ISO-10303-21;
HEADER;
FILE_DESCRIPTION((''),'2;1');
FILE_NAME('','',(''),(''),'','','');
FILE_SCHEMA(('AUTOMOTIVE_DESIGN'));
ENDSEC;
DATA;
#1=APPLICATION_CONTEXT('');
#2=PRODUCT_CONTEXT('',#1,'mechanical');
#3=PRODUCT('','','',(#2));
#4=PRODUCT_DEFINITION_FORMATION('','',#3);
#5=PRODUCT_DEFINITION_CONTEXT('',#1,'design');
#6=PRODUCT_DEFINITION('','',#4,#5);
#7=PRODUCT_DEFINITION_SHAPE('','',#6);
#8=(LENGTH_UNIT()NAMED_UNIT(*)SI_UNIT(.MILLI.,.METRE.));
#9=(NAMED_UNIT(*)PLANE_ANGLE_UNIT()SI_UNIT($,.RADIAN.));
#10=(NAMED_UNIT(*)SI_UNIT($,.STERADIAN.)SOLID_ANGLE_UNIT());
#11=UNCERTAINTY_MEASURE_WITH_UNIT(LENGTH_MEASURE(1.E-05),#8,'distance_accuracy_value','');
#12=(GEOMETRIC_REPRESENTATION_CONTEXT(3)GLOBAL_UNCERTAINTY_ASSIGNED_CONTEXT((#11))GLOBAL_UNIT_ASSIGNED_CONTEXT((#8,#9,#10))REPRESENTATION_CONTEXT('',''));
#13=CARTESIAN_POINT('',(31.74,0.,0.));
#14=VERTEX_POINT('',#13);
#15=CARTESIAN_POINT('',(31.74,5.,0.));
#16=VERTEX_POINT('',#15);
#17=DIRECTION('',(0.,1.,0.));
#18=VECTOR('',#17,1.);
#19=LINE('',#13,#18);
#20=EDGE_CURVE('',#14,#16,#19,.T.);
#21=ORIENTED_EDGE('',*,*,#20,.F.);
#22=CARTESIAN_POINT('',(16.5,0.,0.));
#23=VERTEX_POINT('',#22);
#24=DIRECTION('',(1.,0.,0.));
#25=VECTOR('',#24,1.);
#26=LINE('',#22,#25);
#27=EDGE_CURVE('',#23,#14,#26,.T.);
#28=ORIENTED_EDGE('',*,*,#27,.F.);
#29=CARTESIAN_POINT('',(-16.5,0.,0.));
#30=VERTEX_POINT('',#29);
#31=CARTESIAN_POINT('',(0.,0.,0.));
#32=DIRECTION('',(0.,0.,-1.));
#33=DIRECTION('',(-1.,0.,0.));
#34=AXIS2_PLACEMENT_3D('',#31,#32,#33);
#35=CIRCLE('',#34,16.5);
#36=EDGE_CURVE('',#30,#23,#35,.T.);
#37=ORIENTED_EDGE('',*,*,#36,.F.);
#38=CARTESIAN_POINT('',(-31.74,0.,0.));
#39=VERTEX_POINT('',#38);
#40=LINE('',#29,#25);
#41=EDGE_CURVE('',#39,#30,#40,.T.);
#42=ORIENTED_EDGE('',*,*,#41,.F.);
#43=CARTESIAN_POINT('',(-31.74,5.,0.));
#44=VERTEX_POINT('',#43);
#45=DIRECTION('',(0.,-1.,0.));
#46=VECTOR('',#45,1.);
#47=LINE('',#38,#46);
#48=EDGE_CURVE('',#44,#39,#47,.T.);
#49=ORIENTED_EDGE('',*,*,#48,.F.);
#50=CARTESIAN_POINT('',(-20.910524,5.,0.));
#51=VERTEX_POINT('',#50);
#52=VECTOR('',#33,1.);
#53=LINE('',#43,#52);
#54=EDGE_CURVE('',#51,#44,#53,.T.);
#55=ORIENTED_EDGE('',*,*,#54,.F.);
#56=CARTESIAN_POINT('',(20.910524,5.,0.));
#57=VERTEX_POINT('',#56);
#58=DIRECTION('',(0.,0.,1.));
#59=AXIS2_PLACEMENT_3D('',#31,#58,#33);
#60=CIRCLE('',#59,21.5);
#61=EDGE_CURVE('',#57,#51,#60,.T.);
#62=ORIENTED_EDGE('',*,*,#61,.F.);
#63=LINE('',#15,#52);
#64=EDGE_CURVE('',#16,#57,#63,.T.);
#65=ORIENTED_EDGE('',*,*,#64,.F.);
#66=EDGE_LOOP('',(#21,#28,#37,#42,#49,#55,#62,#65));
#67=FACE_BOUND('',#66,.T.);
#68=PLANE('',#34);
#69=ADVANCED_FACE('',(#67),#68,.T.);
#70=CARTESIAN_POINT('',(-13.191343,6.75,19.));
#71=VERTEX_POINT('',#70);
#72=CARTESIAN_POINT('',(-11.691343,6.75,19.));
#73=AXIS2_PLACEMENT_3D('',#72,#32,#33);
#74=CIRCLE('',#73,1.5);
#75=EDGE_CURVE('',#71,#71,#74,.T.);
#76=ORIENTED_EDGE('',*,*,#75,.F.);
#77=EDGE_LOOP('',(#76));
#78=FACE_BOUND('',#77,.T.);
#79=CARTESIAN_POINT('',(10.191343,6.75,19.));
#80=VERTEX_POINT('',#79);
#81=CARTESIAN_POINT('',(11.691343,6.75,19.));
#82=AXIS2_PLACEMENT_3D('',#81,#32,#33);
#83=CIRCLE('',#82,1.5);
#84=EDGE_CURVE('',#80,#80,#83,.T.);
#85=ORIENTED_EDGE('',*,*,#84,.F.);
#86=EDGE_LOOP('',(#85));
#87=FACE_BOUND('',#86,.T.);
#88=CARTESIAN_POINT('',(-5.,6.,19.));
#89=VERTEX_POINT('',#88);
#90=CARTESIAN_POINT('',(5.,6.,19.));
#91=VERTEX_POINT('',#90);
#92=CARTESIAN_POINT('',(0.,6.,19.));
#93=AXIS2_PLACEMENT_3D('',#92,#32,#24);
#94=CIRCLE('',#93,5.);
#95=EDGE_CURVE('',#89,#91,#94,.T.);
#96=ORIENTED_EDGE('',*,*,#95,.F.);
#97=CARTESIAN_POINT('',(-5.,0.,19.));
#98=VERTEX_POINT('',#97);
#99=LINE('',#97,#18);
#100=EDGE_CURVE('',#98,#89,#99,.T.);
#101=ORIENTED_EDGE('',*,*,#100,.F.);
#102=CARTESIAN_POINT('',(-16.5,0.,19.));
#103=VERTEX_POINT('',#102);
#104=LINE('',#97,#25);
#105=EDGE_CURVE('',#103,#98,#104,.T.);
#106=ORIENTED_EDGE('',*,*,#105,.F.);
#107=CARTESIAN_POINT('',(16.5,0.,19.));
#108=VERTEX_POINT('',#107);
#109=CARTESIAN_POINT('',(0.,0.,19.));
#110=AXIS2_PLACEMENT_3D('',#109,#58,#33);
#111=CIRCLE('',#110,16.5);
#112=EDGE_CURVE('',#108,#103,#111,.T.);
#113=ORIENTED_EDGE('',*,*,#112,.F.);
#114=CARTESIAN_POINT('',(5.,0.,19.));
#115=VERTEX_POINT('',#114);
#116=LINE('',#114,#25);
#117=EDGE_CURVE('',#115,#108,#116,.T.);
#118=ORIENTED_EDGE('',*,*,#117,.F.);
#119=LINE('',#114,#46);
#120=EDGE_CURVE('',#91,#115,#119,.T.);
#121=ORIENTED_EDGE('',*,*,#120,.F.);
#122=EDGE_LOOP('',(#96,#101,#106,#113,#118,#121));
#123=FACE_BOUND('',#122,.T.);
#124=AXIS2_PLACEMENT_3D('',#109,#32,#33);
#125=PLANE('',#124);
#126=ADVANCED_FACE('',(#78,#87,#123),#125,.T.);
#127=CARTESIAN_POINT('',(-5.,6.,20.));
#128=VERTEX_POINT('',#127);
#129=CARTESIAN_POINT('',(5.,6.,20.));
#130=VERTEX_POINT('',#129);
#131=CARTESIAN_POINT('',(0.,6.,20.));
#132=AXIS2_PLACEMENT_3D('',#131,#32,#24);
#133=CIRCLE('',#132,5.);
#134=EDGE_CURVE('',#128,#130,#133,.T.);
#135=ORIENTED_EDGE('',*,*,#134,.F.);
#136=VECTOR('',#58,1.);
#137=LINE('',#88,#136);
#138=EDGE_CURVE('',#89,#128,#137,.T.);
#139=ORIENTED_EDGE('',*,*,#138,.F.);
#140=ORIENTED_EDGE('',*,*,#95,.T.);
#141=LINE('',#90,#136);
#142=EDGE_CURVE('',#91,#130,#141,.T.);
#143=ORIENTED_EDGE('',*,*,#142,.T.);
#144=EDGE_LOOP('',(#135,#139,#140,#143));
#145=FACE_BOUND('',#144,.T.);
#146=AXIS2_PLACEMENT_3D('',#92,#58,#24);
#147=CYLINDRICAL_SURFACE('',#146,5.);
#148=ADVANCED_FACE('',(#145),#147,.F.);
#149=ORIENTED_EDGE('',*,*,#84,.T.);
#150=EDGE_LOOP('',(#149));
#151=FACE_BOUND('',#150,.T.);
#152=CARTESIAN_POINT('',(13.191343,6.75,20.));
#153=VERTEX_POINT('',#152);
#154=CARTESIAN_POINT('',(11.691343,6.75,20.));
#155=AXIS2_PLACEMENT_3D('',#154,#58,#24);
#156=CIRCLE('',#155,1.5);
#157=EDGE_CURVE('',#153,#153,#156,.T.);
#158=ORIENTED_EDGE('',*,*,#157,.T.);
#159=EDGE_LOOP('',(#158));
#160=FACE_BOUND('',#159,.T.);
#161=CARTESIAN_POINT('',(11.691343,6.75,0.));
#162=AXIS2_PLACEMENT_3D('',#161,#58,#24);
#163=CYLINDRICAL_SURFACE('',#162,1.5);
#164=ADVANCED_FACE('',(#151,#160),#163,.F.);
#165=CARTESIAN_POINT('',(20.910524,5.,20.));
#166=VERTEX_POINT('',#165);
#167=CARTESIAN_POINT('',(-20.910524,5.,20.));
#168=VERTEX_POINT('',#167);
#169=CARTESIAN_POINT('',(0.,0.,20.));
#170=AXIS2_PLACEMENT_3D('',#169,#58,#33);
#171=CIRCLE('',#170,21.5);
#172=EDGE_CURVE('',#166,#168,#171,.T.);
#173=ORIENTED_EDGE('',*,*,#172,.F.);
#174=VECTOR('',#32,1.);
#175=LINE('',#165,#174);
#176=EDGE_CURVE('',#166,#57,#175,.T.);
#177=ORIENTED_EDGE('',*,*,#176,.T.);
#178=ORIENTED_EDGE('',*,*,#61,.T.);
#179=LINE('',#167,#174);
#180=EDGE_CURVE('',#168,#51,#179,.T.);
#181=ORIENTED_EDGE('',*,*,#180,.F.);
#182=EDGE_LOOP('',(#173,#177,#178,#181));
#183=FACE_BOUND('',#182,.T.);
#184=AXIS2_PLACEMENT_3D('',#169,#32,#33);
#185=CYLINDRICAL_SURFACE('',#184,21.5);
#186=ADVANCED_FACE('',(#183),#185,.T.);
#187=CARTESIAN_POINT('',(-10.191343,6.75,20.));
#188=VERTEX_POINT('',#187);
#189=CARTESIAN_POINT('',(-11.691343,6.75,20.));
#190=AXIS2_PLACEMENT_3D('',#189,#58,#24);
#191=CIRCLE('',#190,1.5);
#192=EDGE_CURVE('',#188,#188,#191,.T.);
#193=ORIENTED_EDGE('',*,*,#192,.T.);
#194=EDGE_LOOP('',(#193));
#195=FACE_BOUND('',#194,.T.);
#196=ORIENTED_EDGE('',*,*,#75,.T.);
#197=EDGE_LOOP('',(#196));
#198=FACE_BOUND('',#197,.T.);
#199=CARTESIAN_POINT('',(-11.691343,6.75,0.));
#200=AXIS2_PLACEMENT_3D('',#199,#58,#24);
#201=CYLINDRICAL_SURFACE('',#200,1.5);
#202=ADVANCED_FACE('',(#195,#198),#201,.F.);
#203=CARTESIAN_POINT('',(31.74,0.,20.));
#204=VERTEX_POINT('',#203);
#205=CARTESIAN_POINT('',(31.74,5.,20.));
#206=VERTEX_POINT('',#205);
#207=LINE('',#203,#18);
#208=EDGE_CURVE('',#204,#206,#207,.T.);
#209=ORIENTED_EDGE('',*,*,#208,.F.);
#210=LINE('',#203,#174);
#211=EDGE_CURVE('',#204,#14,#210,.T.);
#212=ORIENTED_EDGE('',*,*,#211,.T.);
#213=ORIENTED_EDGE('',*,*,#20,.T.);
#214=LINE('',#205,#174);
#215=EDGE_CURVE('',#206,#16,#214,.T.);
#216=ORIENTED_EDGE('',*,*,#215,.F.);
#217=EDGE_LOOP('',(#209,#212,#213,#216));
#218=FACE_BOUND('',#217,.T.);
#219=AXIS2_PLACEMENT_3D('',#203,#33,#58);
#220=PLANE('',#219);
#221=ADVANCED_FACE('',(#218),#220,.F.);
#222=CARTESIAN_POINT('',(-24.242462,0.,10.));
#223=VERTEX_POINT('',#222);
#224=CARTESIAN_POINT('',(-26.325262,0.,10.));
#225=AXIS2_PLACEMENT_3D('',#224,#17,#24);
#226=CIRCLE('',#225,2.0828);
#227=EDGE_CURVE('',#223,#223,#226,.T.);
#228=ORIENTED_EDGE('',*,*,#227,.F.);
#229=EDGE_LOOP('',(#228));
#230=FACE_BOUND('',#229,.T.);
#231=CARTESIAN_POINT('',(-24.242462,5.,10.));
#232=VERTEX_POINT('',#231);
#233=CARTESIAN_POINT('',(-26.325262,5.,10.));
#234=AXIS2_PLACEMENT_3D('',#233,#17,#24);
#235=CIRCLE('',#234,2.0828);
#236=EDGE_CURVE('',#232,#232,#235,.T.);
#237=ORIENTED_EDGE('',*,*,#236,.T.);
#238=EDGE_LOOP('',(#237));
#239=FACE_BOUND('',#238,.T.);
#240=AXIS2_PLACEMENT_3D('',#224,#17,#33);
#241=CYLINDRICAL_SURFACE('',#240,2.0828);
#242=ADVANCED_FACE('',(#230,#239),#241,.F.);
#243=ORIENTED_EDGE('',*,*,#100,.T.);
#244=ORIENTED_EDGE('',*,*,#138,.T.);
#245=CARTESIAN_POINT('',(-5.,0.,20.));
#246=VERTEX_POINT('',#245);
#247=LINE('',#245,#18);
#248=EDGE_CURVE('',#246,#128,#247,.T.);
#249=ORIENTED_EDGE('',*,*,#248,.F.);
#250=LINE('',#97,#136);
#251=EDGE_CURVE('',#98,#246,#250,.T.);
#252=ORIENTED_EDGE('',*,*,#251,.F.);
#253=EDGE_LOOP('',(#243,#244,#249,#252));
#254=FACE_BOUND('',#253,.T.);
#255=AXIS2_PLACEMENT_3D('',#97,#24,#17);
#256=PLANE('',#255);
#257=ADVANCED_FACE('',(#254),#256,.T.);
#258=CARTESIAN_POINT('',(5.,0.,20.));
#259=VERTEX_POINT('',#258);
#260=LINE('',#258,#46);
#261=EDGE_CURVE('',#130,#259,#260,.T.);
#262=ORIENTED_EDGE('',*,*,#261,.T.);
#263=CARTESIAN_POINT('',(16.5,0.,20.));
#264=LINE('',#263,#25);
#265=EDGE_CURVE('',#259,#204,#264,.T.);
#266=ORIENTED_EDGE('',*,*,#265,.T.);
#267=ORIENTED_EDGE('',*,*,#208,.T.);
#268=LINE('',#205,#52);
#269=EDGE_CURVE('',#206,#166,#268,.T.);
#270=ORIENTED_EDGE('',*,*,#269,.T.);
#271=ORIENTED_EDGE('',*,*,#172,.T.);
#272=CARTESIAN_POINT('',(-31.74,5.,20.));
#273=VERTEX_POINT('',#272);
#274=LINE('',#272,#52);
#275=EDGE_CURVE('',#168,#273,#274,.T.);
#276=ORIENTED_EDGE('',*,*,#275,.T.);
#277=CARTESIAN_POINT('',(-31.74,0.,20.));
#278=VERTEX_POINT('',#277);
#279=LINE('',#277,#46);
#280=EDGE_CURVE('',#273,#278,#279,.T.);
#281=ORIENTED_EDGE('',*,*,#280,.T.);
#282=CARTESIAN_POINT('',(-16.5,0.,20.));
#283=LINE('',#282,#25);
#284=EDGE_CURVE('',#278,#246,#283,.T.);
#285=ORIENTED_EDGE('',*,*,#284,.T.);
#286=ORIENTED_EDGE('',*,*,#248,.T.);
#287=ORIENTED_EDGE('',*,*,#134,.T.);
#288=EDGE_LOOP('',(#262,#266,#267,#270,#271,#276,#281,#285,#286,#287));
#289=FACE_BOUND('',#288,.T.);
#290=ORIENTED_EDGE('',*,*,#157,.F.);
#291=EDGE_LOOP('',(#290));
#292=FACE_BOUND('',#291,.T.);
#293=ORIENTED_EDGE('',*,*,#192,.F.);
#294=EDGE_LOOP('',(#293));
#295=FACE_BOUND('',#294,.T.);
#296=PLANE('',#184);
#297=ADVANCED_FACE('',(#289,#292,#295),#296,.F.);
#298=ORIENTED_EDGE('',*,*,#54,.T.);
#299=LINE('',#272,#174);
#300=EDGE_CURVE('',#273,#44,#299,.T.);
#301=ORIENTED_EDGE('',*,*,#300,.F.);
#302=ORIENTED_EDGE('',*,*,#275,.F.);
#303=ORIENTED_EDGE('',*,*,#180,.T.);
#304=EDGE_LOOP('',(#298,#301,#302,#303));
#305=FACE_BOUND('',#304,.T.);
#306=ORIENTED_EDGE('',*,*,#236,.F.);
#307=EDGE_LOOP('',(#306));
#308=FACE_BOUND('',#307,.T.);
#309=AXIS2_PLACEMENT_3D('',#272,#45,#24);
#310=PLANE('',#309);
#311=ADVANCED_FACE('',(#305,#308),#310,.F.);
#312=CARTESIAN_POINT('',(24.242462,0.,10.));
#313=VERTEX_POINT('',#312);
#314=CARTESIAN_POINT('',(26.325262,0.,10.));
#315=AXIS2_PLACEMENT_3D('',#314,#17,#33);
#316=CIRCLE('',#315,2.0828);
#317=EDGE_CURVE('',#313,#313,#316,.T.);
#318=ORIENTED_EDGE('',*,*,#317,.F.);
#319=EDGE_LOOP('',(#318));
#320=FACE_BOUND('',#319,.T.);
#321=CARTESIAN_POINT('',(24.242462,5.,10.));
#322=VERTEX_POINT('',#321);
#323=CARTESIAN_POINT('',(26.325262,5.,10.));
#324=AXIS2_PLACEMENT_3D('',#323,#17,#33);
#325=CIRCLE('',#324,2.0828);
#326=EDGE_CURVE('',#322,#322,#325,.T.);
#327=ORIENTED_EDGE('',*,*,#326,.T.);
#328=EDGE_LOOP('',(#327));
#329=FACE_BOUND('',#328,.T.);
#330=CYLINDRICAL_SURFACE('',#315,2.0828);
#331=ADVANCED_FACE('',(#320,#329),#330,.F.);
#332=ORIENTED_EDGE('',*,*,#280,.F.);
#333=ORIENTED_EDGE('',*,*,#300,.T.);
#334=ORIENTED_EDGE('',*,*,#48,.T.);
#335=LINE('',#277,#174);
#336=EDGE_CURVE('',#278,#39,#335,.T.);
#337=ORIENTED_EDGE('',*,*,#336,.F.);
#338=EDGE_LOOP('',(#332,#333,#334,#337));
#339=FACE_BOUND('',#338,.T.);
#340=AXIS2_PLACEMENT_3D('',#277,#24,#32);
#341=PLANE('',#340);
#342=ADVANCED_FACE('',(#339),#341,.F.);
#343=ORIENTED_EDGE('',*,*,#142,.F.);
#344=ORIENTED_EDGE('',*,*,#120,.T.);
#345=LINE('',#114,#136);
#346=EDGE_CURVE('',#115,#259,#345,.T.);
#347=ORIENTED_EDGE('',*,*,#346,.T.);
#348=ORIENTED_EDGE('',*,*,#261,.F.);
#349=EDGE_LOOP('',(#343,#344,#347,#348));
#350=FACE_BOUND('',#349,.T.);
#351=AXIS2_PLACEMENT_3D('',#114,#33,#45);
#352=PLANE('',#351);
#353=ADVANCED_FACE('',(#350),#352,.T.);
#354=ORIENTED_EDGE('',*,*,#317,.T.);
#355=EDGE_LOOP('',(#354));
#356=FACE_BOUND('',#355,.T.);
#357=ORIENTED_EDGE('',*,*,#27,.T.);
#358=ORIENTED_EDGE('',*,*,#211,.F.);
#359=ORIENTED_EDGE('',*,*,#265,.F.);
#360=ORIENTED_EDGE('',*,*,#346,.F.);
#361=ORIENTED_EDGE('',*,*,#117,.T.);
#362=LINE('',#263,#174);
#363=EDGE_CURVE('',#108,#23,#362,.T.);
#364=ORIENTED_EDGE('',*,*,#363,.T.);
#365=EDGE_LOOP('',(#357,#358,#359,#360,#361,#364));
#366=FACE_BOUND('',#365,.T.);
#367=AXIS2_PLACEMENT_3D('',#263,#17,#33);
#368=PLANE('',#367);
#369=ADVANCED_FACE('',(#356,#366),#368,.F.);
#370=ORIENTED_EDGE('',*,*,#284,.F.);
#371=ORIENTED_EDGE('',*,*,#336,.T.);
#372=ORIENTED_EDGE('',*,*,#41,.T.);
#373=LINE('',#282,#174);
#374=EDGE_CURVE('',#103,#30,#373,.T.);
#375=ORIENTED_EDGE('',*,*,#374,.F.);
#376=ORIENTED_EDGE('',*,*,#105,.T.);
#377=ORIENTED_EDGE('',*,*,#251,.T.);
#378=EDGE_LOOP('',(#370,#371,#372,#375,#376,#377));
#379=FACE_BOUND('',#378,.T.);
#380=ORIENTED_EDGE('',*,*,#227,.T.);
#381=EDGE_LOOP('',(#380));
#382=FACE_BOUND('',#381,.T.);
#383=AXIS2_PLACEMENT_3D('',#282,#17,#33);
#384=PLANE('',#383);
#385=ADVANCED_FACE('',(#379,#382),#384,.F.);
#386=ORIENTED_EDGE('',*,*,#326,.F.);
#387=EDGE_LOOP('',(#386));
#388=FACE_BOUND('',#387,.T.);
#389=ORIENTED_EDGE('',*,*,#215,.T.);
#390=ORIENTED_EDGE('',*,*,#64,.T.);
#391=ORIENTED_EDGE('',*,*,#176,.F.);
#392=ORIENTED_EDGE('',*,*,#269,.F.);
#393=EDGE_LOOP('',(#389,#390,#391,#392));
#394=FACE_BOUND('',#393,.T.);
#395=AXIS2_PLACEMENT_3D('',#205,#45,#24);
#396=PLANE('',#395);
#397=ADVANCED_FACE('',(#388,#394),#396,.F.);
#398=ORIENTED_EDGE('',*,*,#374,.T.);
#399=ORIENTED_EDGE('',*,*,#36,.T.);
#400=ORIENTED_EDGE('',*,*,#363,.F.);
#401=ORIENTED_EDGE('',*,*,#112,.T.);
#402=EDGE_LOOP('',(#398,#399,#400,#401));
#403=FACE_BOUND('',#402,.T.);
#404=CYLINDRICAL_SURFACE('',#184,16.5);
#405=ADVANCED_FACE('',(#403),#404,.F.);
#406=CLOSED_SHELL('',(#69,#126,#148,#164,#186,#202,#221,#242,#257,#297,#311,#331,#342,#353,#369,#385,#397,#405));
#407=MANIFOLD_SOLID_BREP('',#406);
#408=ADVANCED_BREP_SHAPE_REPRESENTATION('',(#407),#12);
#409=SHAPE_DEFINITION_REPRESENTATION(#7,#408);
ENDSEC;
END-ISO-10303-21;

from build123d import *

# Parameters (mm, degrees)
BOSS_EXTRUDE1_DEPTH = 20
BOSS_EXTRUDE2_START = -1
BOSS_EXTRUDE2_DEPTH = 1
SKETCH3_R           = 1.5
CUT_EXTRUDE1_DEPTH  = 44.239768732
SKETCH4_R           = 2.0828
CUT_EXTRUDE2_DEPTH  = 41.983869998


with BuildPart() as part:
    # Sketch1 → Boss-Extrude1 (new body)
    with BuildSketch(Plane.XY):
        with BuildLine():
            Line((-16.5, 0), (-31.74, 0))
            Line((-31.74, 0), (-31.74, 5))
            Line((-31.74, 5), (-20.910523666, 5))
            ThreePointArc((-20.910523666, 5), (0, 21.5), (20.910523666, 5))
            Line((20.910523666, 5), (31.74, 5))
            Line((31.74, 5), (31.74, 0))
            Line((31.74, 0), (16.5, 0))
            ThreePointArc((16.5, 0), (0, 16.5), (-16.5, 0))
        make_face()
    extrude(amount=BOSS_EXTRUDE1_DEPTH)

    # Sketch2 → Boss-Extrude2 (add)
    with BuildSketch(Plane.XY.offset(20).offset(BOSS_EXTRUDE2_START)):
        with BuildLine():
            Line((5, 0), (16.5, 0))
            ThreePointArc((16.5, 0), (0, 16.5), (-16.5, 0))
            Line((-16.5, 0), (-5, 0))
            Line((-5, 0), (-5, 6))
            ThreePointArc((-5, 6), (0, 11), (5, 6))
            Line((5, 6), (5, 0))
        make_face()
    extrude(amount=BOSS_EXTRUDE2_DEPTH)

    # Sketch3 → Cut-Extrude1 (cut, through all)
    with BuildSketch(Plane.XY.offset(20)):
        with Locations((-11.691342951, 6.75)):
            Circle(SKETCH3_R)
        with Locations((11.691342951, 6.75)):
            Circle(SKETCH3_R)
    extrude(amount=-CUT_EXTRUDE1_DEPTH, mode=Mode.SUBTRACT)

    # Sketch4 → Cut-Extrude2 (cut, through all)
    with BuildSketch(Plane(origin=(0, 5, 0), x_dir=(1, 0, 0), z_dir=(0, 1, 0))):
        with Locations(Location((26.325261833, -10, 0), (0, 0, 180))):
            Circle(SKETCH4_R)
        with Locations((-26.325261833, -10)):
            Circle(SKETCH4_R)
    extrude(amount=-CUT_EXTRUDE2_DEPTH, mode=Mode.SUBTRACT)


solid = part.part
